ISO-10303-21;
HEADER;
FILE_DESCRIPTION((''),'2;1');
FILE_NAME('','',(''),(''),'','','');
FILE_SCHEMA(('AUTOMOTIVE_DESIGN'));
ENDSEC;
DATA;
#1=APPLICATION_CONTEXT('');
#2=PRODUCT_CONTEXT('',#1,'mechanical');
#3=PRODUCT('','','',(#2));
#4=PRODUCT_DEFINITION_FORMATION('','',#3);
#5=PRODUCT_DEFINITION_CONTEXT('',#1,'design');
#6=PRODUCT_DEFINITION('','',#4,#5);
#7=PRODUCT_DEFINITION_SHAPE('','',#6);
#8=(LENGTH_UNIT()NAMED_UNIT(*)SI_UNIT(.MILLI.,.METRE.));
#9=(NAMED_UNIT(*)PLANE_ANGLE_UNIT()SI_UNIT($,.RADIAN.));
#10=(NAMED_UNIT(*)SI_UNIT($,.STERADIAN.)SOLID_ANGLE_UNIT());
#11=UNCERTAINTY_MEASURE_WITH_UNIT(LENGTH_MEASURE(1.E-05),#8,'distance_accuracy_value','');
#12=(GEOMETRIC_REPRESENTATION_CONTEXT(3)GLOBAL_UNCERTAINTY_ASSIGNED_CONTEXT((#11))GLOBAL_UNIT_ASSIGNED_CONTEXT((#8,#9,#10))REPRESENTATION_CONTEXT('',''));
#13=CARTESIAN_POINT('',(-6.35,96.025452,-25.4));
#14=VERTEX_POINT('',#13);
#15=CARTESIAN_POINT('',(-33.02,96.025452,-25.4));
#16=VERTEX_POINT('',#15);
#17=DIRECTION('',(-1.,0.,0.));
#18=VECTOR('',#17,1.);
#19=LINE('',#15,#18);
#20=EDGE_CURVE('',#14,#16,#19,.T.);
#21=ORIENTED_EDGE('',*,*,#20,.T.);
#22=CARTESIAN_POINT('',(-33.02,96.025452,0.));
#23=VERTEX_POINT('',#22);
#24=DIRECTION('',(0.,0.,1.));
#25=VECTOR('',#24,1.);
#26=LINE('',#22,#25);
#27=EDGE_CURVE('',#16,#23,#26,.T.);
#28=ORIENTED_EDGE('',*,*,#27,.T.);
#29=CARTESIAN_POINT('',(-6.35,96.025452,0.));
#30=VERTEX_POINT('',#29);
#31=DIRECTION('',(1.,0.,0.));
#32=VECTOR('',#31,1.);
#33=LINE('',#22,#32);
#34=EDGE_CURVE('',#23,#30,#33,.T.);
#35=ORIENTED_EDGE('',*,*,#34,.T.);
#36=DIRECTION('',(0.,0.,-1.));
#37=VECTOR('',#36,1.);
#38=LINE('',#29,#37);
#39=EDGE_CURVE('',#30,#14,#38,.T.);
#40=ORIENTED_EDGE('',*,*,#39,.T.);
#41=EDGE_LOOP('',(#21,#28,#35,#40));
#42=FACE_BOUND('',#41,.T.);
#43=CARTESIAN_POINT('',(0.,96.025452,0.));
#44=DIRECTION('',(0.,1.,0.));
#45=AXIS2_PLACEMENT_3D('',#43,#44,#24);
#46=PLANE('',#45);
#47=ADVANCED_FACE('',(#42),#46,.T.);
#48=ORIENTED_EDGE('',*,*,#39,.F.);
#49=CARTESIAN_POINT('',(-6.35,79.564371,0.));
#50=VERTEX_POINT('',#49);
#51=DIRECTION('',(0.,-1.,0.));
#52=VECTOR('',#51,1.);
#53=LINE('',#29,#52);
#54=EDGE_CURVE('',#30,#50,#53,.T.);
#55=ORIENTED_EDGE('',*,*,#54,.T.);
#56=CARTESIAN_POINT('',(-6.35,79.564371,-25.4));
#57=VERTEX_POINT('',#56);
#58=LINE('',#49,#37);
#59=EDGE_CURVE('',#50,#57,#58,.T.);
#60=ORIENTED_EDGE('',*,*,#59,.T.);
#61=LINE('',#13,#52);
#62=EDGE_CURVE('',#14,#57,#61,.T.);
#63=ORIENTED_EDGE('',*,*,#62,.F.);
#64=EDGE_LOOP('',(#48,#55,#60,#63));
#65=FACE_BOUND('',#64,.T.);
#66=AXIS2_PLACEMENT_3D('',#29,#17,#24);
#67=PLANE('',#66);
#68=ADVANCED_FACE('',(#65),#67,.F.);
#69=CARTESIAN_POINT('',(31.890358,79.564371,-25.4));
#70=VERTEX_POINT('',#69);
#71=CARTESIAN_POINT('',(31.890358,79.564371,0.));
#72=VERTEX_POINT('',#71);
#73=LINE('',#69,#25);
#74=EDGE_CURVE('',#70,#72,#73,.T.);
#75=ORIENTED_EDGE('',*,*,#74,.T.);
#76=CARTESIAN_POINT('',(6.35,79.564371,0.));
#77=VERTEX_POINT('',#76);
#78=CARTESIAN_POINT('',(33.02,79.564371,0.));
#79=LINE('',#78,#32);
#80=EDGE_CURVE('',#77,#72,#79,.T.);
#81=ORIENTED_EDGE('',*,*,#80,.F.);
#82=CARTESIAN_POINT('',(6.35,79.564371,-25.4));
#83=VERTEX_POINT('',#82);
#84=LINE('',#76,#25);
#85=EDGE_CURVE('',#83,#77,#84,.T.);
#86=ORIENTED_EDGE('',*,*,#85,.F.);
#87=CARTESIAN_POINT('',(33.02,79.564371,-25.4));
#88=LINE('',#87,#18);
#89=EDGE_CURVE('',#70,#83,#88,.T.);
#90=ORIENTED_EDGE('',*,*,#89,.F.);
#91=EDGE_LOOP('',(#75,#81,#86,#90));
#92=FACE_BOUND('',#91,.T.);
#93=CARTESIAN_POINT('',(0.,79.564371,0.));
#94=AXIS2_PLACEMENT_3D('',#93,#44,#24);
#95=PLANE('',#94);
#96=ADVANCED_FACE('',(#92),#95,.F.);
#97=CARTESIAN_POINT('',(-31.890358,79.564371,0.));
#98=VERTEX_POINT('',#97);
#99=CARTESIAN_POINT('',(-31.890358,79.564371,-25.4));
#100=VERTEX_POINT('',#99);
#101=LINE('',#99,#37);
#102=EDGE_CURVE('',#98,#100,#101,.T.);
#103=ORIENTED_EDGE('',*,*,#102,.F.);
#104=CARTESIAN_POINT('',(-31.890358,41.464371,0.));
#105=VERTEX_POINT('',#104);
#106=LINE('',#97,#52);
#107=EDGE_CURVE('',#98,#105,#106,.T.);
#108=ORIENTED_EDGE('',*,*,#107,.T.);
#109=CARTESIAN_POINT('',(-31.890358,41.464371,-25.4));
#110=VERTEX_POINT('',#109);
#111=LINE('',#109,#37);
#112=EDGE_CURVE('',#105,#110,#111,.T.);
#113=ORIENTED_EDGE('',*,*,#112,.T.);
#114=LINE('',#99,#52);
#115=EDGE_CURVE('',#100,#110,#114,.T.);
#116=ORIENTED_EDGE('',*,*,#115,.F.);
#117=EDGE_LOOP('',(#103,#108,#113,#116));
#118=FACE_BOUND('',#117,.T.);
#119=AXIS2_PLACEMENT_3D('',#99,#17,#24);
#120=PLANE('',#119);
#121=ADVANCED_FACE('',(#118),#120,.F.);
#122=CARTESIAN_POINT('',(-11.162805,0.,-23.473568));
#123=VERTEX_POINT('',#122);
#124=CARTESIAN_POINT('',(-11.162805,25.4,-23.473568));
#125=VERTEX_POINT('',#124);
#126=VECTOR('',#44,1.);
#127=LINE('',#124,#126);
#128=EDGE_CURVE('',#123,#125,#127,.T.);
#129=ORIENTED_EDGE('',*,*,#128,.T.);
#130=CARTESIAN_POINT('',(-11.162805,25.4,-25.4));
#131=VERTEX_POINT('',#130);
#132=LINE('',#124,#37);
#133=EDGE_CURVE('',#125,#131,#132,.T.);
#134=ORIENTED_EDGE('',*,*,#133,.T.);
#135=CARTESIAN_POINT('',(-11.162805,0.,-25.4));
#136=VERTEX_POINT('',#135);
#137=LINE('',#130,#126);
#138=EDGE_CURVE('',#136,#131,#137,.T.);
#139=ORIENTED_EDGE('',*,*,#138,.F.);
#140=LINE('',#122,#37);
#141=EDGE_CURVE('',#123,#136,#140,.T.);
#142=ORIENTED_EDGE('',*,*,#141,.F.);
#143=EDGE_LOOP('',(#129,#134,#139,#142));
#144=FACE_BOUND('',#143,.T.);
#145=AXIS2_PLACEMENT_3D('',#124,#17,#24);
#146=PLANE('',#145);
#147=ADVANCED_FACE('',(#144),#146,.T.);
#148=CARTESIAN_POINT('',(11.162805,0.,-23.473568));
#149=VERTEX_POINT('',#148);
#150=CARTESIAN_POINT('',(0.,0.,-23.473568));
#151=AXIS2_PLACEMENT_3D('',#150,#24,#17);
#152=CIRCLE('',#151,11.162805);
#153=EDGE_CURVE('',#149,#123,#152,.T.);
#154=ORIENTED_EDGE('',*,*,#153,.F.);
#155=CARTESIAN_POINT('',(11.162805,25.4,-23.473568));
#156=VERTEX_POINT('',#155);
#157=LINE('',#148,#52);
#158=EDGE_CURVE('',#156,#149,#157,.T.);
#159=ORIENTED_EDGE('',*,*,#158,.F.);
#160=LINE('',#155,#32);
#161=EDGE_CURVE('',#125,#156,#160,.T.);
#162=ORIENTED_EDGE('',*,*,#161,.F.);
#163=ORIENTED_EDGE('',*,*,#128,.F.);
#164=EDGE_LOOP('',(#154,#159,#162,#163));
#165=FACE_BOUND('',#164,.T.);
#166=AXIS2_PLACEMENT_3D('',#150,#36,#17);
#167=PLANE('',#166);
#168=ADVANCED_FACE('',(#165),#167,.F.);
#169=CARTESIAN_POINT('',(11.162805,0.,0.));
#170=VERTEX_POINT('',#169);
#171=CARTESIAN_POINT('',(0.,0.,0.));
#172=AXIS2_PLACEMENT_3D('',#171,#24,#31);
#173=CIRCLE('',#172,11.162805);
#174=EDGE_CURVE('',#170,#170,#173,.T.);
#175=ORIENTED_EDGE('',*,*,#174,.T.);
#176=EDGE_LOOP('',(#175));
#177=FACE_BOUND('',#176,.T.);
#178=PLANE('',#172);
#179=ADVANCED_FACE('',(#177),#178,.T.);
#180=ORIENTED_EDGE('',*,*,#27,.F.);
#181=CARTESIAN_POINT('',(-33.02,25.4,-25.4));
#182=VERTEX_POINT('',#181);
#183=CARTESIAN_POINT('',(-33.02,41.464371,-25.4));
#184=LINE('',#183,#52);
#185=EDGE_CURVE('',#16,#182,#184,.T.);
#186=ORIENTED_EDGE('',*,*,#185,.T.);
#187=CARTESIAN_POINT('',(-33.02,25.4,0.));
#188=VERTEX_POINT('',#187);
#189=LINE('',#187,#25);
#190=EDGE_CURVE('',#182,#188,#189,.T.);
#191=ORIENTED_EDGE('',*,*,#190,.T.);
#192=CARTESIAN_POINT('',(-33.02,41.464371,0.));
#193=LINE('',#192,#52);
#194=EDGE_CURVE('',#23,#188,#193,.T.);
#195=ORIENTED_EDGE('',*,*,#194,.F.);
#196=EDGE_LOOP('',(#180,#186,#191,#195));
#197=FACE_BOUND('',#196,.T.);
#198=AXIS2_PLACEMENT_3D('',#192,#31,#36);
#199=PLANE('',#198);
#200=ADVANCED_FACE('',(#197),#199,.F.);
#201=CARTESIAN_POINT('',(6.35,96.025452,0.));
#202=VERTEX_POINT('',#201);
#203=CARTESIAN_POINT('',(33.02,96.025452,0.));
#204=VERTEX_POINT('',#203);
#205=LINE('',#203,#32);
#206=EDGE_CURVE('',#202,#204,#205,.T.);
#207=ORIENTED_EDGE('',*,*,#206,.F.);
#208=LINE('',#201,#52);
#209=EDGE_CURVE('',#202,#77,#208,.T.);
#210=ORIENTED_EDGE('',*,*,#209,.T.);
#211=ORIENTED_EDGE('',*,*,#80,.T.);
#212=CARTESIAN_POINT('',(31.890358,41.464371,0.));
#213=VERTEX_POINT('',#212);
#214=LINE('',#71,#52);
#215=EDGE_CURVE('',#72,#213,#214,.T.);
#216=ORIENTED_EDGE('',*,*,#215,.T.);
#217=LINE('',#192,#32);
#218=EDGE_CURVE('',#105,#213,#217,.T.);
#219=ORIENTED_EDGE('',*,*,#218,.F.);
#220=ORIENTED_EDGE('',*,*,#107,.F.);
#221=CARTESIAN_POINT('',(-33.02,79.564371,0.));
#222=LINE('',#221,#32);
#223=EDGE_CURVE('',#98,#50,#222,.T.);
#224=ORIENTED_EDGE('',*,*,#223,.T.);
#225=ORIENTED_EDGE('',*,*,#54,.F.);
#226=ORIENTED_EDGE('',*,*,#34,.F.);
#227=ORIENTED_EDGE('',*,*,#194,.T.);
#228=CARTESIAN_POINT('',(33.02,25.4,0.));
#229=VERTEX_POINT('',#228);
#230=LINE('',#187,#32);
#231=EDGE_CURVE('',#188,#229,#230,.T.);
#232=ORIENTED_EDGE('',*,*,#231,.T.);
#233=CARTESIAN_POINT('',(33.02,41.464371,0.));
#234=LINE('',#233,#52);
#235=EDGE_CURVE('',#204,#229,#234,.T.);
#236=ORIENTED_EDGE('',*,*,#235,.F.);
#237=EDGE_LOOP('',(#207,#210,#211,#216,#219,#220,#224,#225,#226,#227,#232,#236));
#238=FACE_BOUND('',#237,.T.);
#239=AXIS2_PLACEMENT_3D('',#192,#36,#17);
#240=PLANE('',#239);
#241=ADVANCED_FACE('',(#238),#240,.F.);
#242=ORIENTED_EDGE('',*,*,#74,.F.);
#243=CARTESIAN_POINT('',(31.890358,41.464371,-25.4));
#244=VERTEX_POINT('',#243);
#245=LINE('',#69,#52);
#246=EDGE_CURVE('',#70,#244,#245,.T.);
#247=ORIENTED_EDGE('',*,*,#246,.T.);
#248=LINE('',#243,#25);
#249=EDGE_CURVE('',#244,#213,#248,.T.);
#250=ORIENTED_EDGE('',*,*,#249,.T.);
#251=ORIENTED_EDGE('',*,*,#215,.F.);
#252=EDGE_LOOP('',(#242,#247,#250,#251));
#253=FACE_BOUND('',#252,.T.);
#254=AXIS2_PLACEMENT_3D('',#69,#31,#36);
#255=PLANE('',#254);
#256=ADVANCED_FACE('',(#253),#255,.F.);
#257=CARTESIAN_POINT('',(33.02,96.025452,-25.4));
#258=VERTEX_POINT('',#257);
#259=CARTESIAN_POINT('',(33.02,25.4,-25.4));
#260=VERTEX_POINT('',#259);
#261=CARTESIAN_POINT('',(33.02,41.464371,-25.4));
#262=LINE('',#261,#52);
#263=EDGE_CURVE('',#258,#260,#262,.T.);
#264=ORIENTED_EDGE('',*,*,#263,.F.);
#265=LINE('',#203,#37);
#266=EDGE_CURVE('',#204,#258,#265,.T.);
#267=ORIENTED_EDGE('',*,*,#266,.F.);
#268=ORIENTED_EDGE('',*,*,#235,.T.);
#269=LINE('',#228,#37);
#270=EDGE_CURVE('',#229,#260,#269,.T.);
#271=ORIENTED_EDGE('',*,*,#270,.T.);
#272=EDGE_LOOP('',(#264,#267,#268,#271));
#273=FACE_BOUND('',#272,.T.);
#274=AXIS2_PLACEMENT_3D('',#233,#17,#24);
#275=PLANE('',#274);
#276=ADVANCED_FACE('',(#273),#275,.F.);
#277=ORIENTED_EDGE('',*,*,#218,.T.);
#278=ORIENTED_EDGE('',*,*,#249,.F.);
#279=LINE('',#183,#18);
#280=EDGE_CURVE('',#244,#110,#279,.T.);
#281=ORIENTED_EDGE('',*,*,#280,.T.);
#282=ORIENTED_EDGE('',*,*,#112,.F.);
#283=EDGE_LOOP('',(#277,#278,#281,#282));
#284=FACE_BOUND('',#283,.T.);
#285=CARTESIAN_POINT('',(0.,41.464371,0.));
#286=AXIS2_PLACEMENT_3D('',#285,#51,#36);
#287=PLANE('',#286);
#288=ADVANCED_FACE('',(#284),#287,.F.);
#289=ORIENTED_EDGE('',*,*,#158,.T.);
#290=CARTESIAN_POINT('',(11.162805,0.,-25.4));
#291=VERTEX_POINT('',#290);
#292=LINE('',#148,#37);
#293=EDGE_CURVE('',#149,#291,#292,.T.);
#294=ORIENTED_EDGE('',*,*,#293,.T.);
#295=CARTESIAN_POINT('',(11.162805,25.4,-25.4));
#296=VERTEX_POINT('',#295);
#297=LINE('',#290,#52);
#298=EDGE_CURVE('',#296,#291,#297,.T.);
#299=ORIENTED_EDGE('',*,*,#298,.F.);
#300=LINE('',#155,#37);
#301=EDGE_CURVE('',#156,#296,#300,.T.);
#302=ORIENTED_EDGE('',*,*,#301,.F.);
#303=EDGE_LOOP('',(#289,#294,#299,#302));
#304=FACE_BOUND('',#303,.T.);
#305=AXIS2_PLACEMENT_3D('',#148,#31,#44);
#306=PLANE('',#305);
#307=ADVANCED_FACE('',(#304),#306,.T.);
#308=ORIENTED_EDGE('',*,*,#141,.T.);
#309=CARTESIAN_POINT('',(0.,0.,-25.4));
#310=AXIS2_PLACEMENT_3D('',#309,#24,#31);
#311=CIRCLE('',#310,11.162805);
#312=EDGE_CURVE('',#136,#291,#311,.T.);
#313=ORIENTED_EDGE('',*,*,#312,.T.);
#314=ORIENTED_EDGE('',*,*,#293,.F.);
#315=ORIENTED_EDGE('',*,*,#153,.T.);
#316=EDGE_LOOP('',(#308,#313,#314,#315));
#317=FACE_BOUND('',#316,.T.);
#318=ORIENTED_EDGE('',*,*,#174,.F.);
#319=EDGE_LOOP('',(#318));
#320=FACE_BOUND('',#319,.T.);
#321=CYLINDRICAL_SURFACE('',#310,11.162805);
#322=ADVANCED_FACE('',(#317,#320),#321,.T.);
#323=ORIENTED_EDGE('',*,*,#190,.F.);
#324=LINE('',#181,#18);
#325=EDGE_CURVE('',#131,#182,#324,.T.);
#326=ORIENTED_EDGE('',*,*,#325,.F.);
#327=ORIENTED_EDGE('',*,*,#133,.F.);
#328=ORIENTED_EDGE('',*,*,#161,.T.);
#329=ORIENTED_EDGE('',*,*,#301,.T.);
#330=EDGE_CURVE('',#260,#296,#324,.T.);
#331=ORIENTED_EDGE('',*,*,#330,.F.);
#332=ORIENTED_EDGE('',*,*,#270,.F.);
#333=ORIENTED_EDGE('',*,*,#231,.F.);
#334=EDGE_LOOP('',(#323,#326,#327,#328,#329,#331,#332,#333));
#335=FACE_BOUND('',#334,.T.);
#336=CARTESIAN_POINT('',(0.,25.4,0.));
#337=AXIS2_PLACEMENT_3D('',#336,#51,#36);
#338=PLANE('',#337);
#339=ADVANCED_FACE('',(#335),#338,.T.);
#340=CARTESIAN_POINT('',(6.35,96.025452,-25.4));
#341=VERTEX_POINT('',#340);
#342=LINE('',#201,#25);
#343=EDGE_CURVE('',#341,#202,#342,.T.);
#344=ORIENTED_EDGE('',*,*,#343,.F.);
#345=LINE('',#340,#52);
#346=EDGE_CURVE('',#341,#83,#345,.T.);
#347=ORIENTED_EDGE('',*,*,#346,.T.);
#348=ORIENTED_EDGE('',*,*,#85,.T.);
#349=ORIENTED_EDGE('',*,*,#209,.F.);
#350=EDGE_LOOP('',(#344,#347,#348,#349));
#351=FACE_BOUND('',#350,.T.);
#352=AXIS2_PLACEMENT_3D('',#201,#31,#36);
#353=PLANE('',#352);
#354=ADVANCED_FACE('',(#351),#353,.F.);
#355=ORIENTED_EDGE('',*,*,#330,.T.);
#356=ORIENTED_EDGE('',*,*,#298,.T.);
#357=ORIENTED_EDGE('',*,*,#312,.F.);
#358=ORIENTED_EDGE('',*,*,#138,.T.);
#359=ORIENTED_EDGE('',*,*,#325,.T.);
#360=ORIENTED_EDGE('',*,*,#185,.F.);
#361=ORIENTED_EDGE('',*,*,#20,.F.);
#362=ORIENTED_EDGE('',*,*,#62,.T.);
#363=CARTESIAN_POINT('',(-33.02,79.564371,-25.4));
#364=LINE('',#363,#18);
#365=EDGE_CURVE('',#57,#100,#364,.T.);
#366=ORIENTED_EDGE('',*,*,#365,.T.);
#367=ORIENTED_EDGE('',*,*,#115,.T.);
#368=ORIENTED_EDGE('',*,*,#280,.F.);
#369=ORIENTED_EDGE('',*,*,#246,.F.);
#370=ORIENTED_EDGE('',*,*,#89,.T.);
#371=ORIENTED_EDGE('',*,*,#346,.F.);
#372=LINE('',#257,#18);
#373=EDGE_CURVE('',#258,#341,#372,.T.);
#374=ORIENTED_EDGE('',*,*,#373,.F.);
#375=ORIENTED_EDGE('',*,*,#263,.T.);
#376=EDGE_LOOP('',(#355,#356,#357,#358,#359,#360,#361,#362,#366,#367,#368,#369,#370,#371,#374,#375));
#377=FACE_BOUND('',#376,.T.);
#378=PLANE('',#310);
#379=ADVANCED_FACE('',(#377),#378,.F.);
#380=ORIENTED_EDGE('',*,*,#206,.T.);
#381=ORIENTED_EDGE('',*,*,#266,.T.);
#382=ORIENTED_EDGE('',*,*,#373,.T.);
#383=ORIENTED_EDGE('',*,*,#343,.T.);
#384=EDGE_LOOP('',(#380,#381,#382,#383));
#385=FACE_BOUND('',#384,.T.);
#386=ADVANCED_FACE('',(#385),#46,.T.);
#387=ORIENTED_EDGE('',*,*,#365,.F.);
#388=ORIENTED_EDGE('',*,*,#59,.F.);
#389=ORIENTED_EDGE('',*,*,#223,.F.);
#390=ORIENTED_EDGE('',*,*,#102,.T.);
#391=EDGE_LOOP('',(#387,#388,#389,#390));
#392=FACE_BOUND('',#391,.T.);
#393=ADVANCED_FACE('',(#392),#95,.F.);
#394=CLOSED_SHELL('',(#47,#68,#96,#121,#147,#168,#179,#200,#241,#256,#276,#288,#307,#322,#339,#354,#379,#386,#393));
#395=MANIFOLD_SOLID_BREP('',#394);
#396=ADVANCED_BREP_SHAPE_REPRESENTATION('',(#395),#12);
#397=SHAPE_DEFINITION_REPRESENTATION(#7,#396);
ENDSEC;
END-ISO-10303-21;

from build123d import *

# Parameters (mm, degrees)
SKETCH1_R           = 11.162804955
BOSS_EXTRUDE1_DEPTH = 25.4
BOSS_EXTRUDE2_START = -1.926431551
BOSS_EXTRUDE2_DEPTH = 1.926431551
SKETCH4_W           = 66.04
SKETCH4_H           = 25.4
BOSS_EXTRUDE3_DEPTH = 16.064370514
SKETCH5_W           = 1.129641984
SKETCH5_H           = 25.4
BOSS_EXTRUDE4_DEPTH = 38.1
SKETCH6_W           = 26.67
SKETCH6_H           = 25.4
BOSS_EXTRUDE5_DEPTH = 16.461081374


with BuildPart() as part:
    # Sketch1 → Boss-Extrude1 (new body)
    with BuildSketch(Plane.XY):
        Circle(SKETCH1_R)
    extrude(amount=-BOSS_EXTRUDE1_DEPTH)

    # Sketch2 → Boss-Extrude2 (add)
    with BuildSketch(Plane(origin=(0, 0, -25.4), x_dir=(-1, 0, 0), z_dir=(0, 0, -1)).offset(BOSS_EXTRUDE2_START)):
        with BuildLine():
            Line((-11.162804955, 0), (-11.162804955, 25.4))
            Line((-11.162804955, 25.4), (11.162804955, 25.4))
            Line((11.162804955, 25.4), (11.162804955, 0))
            ThreePointArc((11.162804955, 0), (0, 11.162804955), (-11.162804955, 0))
        make_face()
    extrude(amount=BOSS_EXTRUDE2_DEPTH)

    # Sketch4 → Boss-Extrude3 (add)
    with BuildSketch(Plane(origin=(0, 25.4, 0), x_dir=(1, 0, 0), z_dir=(0, 1, 0))):
        with Locations((0, 12.7)):
            Rectangle(SKETCH4_W, SKETCH4_H)
    extrude(amount=BOSS_EXTRUDE3_DEPTH)

    # Sketch5 → Boss-Extrude4 (add)
    with BuildSketch(Plane(origin=(0, 41.464370514, 0), x_dir=(1, 0, 0), z_dir=(0, 1, 0))):
        with Locations((-32.455179008, 12.7)):
            Rectangle(SKETCH5_W, SKETCH5_H)
        with Locations((32.455179008, 12.7)):
            Rectangle(SKETCH5_W, SKETCH5_H)
    extrude(amount=BOSS_EXTRUDE4_DEPTH)

    # Sketch6 → Boss-Extrude5 (add)
    with BuildSketch(Plane(origin=(0, 79.564370514, 0), x_dir=(1, 0, 0), z_dir=(0, 1, 0))):
        with Locations((19.685, 12.7)):
            Rectangle(SKETCH6_W, SKETCH6_H)
        with Locations((-19.685, 12.7)):
            Rectangle(SKETCH6_W, SKETCH6_H)
    extrude(amount=BOSS_EXTRUDE5_DEPTH)


solid = part.part
